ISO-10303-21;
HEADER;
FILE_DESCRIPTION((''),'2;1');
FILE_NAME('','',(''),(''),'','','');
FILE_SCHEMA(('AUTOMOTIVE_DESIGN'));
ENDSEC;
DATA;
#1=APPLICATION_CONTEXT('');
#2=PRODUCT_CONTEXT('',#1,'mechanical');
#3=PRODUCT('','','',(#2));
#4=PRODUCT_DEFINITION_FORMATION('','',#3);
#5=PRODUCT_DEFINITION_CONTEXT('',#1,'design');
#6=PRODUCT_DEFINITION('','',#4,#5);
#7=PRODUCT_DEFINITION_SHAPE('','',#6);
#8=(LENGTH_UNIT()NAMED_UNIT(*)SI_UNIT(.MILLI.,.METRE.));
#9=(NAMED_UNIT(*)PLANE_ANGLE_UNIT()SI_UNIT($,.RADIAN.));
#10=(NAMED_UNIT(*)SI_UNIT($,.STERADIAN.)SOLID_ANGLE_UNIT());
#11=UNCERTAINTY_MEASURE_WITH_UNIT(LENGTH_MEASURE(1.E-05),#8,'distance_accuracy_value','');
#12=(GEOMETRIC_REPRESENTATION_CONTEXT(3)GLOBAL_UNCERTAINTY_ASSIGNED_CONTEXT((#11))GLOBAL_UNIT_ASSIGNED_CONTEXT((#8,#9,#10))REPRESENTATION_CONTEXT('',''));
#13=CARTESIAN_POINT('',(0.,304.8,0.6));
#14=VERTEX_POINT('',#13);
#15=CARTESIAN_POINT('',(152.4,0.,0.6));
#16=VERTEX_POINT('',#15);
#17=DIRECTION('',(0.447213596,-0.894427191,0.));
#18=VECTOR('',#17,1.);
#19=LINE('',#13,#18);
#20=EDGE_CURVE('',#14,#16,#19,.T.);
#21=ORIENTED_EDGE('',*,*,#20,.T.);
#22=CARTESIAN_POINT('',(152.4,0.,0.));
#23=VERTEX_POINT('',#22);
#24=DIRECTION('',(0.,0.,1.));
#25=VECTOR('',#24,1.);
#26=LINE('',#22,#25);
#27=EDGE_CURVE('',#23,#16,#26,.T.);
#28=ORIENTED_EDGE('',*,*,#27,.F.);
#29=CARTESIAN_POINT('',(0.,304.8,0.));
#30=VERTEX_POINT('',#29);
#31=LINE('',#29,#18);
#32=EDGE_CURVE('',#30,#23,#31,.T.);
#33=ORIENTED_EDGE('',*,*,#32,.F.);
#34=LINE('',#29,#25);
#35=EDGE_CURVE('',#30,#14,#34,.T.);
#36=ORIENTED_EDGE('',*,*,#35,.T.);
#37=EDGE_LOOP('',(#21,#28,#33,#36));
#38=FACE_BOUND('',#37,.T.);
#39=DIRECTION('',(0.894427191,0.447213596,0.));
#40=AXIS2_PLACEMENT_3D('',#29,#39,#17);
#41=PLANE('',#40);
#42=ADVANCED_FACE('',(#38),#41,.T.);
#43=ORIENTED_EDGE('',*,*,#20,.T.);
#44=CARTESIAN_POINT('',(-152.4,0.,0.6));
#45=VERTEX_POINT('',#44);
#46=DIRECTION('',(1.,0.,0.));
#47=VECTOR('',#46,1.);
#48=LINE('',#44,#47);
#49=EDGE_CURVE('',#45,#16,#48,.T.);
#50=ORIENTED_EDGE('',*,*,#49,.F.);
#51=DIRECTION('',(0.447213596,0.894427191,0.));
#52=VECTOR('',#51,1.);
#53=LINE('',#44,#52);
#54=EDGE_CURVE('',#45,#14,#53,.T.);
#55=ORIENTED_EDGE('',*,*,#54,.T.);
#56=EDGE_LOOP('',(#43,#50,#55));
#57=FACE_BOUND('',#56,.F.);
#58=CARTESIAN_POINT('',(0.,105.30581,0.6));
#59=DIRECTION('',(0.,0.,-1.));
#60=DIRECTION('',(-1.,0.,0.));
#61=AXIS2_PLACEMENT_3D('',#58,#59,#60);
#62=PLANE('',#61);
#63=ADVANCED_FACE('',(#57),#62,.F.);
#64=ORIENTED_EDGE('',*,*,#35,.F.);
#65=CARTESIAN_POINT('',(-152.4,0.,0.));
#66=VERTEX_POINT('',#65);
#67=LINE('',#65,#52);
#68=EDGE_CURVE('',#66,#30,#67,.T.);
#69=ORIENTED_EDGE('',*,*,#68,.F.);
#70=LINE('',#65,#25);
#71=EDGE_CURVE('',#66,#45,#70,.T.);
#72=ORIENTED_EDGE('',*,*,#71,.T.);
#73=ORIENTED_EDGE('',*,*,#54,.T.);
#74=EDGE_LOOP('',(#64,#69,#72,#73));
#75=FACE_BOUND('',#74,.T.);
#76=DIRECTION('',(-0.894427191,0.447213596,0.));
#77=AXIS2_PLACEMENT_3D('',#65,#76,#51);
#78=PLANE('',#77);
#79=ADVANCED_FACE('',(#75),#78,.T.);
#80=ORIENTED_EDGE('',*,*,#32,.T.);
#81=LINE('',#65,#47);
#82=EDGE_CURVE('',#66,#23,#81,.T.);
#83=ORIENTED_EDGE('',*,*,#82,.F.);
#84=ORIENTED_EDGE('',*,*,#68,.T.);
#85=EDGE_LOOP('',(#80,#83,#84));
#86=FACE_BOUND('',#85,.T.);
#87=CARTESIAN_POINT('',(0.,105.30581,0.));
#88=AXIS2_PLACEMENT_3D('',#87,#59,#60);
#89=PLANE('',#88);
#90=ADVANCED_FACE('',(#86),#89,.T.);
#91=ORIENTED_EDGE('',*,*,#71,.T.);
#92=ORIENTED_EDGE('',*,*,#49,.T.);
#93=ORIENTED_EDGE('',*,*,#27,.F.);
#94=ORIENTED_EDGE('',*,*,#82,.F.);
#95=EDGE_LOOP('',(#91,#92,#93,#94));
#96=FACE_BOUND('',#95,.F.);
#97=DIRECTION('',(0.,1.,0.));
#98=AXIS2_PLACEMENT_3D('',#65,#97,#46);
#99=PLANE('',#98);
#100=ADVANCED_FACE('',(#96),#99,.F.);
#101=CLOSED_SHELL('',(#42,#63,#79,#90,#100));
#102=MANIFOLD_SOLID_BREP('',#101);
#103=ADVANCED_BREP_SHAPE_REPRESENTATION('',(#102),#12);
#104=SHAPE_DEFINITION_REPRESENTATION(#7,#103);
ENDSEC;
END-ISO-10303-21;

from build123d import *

# Parameters (mm, degrees)
PAD_DEPTH = 0.6


with BuildPart() as part:
    # Sketch → Pad (new body)
    with BuildSketch(Plane.XY):
        Polygon((-152.4, 0), (0, 304.8), (152.4, 0), (0, 0), align=None)
    extrude(amount=PAD_DEPTH)


solid = part.part
